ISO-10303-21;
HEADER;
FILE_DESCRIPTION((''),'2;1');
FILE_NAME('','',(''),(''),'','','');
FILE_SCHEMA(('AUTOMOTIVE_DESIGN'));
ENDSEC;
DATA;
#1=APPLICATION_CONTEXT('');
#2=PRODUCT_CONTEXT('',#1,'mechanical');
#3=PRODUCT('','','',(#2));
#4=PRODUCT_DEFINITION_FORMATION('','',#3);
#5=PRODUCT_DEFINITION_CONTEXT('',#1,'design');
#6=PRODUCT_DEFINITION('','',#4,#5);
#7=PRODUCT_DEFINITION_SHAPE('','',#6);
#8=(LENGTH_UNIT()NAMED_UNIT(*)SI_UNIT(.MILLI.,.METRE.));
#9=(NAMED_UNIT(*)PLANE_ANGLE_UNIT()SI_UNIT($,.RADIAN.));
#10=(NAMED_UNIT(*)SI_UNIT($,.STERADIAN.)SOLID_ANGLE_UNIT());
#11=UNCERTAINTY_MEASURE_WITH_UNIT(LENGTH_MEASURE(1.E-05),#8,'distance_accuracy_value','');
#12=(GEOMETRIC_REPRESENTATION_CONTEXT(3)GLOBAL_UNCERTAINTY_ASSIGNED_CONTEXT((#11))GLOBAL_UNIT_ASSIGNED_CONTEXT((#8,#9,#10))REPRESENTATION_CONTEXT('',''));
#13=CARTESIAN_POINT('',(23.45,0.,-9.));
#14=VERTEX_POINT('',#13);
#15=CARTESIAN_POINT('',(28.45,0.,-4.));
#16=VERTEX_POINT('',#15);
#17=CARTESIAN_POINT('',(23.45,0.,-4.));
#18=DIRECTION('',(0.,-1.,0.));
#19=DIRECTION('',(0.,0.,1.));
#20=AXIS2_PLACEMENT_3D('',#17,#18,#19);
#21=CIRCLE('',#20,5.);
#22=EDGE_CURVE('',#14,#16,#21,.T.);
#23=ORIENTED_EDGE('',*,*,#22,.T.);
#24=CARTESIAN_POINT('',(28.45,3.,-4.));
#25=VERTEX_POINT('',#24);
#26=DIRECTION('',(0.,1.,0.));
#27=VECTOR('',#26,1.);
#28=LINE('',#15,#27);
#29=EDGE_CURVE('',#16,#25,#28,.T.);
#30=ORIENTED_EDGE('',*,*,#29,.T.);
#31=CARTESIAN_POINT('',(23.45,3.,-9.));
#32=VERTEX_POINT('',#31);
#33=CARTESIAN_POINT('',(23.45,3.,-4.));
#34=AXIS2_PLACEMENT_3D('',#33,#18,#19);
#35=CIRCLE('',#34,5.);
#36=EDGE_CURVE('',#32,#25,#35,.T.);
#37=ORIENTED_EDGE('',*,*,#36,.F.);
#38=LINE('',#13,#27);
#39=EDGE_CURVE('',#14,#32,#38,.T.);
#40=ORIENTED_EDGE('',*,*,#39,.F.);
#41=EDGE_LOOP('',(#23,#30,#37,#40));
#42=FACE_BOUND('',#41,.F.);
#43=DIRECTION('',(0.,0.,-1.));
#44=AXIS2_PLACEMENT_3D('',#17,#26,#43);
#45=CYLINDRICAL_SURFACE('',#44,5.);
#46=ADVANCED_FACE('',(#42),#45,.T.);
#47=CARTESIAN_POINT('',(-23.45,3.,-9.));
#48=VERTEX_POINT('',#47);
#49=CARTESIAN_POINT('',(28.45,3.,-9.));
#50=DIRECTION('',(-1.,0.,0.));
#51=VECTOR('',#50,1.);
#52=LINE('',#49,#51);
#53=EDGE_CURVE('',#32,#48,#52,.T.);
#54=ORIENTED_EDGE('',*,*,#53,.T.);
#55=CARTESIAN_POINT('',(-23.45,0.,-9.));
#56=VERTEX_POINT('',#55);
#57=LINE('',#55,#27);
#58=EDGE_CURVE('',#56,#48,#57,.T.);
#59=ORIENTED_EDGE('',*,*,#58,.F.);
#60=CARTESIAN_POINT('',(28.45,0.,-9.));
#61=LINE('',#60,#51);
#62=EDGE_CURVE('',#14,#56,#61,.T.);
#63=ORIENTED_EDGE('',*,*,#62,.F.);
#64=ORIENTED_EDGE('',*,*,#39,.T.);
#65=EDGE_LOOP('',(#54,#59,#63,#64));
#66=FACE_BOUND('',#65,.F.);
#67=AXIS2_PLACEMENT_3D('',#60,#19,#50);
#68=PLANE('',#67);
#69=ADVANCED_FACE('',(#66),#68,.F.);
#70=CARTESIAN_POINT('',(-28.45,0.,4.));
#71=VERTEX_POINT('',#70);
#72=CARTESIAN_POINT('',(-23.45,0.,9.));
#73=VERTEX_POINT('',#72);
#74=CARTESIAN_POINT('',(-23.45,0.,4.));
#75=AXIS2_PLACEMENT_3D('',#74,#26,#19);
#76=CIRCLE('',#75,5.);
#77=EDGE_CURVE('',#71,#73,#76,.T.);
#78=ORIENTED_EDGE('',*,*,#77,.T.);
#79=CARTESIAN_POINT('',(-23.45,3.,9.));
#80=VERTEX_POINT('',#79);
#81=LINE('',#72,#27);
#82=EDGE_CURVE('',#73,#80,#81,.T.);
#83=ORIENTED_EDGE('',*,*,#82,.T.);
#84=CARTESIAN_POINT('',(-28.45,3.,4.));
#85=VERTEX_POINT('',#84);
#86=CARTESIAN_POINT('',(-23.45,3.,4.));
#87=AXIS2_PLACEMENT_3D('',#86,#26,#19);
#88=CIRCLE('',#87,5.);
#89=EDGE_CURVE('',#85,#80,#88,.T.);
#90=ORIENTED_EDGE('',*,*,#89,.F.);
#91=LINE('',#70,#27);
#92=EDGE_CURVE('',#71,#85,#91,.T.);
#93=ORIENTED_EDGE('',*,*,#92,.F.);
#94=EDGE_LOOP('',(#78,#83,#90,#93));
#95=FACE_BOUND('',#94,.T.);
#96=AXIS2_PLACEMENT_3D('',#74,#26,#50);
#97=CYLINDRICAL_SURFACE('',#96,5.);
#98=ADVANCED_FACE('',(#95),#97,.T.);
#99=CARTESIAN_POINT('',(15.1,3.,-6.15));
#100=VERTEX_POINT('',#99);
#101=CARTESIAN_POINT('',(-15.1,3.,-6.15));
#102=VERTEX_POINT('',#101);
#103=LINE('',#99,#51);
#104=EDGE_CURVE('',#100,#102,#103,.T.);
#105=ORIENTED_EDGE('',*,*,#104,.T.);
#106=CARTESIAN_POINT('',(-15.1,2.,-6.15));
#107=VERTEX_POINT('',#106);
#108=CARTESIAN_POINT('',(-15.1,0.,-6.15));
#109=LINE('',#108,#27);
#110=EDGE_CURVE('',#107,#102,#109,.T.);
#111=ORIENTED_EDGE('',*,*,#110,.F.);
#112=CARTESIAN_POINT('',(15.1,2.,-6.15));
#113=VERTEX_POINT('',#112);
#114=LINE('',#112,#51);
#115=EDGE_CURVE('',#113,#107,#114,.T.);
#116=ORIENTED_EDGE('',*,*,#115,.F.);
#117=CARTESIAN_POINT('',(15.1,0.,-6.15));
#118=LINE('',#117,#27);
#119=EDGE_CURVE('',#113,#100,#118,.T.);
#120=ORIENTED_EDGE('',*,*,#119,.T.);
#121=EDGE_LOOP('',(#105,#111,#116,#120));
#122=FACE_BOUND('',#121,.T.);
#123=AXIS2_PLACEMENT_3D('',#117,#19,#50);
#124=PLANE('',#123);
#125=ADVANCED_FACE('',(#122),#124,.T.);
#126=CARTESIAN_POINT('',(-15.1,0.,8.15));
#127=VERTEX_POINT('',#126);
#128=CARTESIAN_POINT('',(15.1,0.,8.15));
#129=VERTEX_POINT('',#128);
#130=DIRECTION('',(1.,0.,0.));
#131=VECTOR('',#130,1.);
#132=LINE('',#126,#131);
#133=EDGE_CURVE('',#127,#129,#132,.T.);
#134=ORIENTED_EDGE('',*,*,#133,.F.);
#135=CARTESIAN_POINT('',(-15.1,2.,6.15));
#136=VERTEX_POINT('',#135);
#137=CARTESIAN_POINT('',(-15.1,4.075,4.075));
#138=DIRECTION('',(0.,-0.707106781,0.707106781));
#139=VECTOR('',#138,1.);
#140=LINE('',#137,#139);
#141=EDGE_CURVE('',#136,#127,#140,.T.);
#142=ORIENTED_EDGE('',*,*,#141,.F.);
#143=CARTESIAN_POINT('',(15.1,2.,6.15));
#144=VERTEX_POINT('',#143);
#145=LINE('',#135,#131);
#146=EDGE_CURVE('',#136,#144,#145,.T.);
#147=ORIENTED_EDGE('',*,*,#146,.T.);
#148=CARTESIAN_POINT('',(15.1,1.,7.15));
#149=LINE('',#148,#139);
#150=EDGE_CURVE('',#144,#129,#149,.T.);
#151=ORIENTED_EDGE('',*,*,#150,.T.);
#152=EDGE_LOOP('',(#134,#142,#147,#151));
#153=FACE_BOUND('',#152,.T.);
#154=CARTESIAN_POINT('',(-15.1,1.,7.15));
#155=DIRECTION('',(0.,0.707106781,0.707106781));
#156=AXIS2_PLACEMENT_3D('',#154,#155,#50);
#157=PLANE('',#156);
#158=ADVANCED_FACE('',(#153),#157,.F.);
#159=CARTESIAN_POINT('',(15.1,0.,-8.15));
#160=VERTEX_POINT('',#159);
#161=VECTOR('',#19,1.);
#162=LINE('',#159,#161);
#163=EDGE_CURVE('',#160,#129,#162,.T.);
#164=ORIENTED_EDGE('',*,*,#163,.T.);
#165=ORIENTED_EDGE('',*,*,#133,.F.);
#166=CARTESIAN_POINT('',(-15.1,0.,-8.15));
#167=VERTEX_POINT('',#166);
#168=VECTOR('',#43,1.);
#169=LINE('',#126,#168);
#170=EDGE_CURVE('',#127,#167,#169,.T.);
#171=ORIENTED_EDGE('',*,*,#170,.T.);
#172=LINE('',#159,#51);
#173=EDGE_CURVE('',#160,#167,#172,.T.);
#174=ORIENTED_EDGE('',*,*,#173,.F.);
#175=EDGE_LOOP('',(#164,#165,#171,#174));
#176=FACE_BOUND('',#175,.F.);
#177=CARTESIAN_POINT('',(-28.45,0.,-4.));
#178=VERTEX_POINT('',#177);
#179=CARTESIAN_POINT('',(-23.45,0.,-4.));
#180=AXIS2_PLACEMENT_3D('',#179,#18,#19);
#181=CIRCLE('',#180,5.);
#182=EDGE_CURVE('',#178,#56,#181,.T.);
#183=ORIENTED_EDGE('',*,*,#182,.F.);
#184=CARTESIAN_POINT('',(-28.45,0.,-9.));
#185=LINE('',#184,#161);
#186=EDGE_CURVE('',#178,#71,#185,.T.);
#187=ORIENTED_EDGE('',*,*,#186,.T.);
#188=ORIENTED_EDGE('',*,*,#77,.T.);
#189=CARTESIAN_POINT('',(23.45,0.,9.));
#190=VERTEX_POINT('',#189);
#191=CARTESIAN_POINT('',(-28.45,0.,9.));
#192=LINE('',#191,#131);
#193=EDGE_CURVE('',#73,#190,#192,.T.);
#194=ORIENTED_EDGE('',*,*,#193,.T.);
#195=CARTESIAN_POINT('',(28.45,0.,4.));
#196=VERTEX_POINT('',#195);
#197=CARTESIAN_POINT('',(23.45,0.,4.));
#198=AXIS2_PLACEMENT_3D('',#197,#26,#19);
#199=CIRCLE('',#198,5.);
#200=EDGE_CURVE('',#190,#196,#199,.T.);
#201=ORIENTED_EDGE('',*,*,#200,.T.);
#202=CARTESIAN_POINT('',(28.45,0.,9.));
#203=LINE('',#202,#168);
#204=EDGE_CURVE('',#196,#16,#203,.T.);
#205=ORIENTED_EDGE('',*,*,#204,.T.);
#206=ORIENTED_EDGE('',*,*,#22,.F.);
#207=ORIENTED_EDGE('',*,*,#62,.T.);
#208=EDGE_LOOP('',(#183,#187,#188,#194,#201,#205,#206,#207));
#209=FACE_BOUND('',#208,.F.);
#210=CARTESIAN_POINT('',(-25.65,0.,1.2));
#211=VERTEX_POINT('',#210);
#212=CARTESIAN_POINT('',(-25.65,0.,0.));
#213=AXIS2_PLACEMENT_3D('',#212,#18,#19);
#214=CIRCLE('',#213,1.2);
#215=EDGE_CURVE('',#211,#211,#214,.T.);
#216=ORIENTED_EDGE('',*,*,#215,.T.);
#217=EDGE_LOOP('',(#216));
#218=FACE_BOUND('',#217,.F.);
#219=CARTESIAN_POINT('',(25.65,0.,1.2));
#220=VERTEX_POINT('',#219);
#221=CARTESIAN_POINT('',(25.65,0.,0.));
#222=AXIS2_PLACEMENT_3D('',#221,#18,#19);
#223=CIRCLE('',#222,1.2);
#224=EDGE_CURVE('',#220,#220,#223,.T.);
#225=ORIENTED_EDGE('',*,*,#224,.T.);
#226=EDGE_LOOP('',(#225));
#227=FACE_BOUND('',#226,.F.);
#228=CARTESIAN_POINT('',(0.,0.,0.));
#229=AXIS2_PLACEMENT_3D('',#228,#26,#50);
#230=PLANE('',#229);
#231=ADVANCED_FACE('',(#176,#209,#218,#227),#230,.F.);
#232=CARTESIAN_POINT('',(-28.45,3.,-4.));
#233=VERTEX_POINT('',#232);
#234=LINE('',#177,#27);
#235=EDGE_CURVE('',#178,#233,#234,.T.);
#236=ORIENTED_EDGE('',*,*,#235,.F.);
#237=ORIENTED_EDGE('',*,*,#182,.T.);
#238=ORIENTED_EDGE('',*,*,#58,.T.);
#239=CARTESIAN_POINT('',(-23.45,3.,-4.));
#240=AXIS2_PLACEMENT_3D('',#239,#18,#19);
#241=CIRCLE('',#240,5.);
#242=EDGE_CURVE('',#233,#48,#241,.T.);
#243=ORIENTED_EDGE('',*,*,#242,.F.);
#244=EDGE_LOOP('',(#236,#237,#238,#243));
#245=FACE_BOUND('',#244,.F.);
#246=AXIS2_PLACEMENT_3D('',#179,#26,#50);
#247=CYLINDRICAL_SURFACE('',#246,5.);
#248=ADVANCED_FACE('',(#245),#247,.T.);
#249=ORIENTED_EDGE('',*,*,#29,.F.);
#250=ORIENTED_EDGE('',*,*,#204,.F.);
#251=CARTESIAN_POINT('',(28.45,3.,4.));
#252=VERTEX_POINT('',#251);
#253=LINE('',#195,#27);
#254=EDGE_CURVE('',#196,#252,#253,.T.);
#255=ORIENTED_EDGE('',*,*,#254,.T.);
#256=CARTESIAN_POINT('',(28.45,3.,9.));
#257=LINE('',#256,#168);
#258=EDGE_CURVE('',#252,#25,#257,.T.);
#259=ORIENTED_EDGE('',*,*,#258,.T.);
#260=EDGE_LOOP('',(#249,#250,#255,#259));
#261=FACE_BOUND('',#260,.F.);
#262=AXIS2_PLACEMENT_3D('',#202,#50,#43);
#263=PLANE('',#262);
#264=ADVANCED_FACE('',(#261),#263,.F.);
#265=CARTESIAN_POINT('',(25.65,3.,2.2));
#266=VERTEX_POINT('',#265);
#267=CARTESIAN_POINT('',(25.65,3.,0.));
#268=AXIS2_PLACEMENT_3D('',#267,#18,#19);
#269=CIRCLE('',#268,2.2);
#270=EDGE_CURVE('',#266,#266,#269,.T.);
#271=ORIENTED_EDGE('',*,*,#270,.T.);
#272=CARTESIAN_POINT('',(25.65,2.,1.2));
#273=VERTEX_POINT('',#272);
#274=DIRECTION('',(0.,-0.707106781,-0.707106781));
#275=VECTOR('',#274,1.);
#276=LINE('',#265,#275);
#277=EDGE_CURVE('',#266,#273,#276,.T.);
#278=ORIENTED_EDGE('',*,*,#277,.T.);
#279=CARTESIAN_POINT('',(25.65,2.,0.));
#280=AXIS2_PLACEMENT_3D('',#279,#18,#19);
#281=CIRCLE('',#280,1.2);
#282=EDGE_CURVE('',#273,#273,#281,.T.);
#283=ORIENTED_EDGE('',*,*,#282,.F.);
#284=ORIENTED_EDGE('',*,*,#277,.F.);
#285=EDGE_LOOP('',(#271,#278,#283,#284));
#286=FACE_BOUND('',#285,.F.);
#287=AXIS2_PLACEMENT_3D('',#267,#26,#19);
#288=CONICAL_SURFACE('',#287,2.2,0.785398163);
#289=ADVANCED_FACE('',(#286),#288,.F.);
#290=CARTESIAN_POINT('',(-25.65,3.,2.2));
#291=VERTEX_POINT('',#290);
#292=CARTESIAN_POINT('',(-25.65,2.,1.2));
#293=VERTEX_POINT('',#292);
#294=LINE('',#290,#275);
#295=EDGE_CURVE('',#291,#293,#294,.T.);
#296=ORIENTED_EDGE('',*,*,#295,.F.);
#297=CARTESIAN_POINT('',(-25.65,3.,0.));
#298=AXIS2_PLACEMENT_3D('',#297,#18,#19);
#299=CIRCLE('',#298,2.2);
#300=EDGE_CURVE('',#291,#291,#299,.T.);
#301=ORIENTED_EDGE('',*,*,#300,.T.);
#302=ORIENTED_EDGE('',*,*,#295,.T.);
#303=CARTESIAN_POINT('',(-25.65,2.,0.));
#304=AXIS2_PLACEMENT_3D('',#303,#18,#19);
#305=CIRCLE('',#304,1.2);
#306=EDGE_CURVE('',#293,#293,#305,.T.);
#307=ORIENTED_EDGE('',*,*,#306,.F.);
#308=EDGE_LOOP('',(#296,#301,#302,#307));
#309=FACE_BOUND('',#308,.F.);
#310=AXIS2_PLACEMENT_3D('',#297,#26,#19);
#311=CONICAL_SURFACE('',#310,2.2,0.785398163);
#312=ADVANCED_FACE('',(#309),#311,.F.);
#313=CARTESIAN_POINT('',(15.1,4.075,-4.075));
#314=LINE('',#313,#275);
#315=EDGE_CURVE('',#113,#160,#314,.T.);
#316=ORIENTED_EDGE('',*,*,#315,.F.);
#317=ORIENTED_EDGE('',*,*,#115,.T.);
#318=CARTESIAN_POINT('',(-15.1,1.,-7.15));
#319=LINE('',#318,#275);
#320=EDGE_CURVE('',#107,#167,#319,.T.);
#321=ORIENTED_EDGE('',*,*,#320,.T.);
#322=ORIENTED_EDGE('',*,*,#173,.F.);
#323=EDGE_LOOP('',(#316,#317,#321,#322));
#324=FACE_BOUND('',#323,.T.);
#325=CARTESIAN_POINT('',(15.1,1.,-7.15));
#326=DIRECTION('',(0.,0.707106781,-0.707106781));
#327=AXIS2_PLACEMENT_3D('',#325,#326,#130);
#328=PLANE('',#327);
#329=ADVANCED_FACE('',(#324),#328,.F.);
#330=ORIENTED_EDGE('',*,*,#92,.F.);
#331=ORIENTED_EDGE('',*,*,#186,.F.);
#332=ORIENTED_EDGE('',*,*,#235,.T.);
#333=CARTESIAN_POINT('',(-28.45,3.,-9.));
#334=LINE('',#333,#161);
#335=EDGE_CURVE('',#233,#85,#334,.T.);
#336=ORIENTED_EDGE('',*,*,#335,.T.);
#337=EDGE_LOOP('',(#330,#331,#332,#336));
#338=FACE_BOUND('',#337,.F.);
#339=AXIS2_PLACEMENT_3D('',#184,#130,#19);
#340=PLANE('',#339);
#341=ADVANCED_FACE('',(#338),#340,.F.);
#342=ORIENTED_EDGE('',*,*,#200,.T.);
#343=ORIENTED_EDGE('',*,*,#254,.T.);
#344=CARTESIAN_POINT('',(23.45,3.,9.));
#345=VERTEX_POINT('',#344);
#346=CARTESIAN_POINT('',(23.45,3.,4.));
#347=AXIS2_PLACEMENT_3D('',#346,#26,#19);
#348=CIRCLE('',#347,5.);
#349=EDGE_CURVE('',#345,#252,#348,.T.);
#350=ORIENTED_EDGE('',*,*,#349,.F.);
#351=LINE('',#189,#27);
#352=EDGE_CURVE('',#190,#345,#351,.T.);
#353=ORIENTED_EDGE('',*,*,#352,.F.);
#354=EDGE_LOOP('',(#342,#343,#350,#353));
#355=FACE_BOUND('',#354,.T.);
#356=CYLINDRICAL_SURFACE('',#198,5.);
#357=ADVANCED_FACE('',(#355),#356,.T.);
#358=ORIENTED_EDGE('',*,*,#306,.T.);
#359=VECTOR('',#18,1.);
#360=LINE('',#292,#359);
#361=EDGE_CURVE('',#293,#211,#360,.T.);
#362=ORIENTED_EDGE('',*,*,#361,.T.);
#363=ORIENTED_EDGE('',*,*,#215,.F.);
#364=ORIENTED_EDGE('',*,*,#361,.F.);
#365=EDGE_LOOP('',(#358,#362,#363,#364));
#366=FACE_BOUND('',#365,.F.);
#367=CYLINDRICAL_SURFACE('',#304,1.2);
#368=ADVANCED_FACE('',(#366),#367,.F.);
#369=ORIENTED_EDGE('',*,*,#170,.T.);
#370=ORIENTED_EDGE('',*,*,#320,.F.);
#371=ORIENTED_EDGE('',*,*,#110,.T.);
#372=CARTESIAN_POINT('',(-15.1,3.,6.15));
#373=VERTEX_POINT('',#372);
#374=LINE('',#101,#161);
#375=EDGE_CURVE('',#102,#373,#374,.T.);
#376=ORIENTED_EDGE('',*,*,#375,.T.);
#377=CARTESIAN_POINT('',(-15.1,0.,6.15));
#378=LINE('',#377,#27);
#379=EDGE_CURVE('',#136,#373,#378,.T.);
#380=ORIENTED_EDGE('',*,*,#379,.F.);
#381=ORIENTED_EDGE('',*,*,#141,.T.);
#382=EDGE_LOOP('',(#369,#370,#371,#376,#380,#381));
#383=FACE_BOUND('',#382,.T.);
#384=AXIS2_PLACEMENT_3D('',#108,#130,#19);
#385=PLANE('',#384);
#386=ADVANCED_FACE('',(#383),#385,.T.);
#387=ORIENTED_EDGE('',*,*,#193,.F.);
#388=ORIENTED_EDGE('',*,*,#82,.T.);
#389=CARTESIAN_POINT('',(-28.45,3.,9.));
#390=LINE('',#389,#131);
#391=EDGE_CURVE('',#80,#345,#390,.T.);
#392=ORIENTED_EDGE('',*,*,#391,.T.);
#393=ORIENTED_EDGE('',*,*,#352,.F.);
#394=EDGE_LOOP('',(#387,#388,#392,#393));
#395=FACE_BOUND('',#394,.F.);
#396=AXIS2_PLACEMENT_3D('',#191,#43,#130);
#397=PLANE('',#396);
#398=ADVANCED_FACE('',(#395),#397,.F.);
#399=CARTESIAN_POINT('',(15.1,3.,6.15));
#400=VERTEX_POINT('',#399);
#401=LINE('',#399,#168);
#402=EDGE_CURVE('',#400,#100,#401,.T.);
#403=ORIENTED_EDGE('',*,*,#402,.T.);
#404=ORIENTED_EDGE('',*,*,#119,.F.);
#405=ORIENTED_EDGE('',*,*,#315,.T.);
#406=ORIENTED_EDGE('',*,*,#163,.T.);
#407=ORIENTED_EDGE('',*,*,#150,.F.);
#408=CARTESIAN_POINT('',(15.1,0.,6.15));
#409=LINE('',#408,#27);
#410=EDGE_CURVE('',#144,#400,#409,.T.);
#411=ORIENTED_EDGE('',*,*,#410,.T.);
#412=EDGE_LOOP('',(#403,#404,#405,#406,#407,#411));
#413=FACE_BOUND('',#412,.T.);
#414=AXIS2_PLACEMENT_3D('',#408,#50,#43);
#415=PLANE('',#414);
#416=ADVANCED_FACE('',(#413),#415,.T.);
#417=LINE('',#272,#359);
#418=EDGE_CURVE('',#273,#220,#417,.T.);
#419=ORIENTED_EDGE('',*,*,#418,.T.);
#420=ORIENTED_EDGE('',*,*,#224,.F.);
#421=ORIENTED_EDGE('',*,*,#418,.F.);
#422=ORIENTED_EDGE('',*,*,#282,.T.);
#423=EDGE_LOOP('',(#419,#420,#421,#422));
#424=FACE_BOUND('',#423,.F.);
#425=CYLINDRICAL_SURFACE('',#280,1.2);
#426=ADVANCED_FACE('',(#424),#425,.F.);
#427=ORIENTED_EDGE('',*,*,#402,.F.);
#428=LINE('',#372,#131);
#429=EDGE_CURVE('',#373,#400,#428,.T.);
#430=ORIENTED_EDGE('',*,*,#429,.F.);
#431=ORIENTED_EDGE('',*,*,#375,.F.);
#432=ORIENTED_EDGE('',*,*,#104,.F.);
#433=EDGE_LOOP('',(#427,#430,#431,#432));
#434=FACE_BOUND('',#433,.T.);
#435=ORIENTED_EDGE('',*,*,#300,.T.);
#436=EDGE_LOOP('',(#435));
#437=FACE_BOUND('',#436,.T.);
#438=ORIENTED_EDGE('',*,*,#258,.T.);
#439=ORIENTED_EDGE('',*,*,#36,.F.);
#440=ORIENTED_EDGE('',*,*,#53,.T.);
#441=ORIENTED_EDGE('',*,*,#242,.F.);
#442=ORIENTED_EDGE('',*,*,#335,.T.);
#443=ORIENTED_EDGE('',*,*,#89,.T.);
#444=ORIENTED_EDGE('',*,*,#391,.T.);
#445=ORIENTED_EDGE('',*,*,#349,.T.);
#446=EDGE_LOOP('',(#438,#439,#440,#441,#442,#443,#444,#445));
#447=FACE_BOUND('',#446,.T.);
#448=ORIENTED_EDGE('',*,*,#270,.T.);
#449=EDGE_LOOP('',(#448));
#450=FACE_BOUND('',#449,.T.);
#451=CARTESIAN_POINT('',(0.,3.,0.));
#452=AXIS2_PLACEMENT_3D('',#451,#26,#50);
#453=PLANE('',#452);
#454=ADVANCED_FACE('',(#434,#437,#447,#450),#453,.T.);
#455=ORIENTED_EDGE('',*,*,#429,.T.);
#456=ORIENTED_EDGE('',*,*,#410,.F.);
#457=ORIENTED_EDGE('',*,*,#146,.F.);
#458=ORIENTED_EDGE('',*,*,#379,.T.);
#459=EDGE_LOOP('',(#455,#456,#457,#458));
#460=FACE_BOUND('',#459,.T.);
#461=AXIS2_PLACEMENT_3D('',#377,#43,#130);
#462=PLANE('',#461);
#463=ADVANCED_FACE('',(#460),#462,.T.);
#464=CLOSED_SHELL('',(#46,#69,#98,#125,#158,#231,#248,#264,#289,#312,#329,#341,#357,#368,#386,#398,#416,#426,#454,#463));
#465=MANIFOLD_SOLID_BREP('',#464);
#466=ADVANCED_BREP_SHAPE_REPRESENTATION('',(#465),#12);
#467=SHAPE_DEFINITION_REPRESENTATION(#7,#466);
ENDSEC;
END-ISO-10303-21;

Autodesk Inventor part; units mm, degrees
ref_plane "YZ Plane" through (0, 0, 0) normal (1, 0, 0) x (0, 1, 0)
ref_plane "XZ Plane" through (0, 0, 0) normal (0, 1, 0) x (-1, 0, 0)
ref_plane "XY Plane" through (0, 0, 0) normal (0, 0, 1) x (1, 0, 0)
sketch "Skizze1" plane through (0, 0, 0) normal (0, 1, 0) x (-1, 0, 0)
  line L0 (15.1, 6.15) -> (-15.1, 6.15)
  line L1 (-15.1, 6.15) -> (-15.1, -6.15)
  line L2 (-15.1, -6.15) -> (15.1, -6.15)
  line L3 (15.1, -6.15) -> (15.1, 6.15)
  line L4 (15.1, 6.15) -> (-15.1, -6.15) construction
  line L5 (-15.1, 6.15) -> (15.1, -6.15) construction
  line L6 (28.45, 9) -> (-28.45, 9)
  line L7 (-28.45, 9) -> (-28.45, -9)
  line L8 (-28.45, -9) -> (28.45, -9)
  line L9 (28.45, -9) -> (28.45, 9)
  line L10 (28.45, 9) -> (-28.45, -9) construction
  line L11 (-28.45, 9) -> (28.45, -9) construction
  point P0 (0, 0)
  dimension "d0" = 30.2
  dimension "d1" = 12.3
  dimension "d2" = 56.9
  dimension "d3" = 18
extrude "Extrusion1" add sketch "Skizze1" along normal blind 3
chamfer "Fase1" distance 2 angle 45 2 edges at (0, 0, -6.15) (0, 0, 6.15)
sketch "Skizze2" plane through (0, 3, 0) normal (0, 1, 0) x (1, 0, 0)
  line L0 (0, 0) -> (-25.65, 0)
  line L1 (-25.65, 0) -> (25.65, 0)
  dimension "d9" = 25.65
  dimension "d10" = 51.3
hole "Bohrung1" at (25.65, 3, 0) at (-25.65, 3, 0) direction (0, -1, 0) diameter 2.4 end through all countersink diameter 4.4 countersink angle 90 clearance for "Flachkopfmaschinenschraube" size "M2" standard "ANSI Metrisches M Profil"
fillet "Rundung1" radius 5 4 edges at (28.45, 1.5, -9) (28.45, 1.5, 9) (-28.45, 1.5, -9) (-28.45, 1.5, 9)
properties part number "Wago2Din_1Way"
